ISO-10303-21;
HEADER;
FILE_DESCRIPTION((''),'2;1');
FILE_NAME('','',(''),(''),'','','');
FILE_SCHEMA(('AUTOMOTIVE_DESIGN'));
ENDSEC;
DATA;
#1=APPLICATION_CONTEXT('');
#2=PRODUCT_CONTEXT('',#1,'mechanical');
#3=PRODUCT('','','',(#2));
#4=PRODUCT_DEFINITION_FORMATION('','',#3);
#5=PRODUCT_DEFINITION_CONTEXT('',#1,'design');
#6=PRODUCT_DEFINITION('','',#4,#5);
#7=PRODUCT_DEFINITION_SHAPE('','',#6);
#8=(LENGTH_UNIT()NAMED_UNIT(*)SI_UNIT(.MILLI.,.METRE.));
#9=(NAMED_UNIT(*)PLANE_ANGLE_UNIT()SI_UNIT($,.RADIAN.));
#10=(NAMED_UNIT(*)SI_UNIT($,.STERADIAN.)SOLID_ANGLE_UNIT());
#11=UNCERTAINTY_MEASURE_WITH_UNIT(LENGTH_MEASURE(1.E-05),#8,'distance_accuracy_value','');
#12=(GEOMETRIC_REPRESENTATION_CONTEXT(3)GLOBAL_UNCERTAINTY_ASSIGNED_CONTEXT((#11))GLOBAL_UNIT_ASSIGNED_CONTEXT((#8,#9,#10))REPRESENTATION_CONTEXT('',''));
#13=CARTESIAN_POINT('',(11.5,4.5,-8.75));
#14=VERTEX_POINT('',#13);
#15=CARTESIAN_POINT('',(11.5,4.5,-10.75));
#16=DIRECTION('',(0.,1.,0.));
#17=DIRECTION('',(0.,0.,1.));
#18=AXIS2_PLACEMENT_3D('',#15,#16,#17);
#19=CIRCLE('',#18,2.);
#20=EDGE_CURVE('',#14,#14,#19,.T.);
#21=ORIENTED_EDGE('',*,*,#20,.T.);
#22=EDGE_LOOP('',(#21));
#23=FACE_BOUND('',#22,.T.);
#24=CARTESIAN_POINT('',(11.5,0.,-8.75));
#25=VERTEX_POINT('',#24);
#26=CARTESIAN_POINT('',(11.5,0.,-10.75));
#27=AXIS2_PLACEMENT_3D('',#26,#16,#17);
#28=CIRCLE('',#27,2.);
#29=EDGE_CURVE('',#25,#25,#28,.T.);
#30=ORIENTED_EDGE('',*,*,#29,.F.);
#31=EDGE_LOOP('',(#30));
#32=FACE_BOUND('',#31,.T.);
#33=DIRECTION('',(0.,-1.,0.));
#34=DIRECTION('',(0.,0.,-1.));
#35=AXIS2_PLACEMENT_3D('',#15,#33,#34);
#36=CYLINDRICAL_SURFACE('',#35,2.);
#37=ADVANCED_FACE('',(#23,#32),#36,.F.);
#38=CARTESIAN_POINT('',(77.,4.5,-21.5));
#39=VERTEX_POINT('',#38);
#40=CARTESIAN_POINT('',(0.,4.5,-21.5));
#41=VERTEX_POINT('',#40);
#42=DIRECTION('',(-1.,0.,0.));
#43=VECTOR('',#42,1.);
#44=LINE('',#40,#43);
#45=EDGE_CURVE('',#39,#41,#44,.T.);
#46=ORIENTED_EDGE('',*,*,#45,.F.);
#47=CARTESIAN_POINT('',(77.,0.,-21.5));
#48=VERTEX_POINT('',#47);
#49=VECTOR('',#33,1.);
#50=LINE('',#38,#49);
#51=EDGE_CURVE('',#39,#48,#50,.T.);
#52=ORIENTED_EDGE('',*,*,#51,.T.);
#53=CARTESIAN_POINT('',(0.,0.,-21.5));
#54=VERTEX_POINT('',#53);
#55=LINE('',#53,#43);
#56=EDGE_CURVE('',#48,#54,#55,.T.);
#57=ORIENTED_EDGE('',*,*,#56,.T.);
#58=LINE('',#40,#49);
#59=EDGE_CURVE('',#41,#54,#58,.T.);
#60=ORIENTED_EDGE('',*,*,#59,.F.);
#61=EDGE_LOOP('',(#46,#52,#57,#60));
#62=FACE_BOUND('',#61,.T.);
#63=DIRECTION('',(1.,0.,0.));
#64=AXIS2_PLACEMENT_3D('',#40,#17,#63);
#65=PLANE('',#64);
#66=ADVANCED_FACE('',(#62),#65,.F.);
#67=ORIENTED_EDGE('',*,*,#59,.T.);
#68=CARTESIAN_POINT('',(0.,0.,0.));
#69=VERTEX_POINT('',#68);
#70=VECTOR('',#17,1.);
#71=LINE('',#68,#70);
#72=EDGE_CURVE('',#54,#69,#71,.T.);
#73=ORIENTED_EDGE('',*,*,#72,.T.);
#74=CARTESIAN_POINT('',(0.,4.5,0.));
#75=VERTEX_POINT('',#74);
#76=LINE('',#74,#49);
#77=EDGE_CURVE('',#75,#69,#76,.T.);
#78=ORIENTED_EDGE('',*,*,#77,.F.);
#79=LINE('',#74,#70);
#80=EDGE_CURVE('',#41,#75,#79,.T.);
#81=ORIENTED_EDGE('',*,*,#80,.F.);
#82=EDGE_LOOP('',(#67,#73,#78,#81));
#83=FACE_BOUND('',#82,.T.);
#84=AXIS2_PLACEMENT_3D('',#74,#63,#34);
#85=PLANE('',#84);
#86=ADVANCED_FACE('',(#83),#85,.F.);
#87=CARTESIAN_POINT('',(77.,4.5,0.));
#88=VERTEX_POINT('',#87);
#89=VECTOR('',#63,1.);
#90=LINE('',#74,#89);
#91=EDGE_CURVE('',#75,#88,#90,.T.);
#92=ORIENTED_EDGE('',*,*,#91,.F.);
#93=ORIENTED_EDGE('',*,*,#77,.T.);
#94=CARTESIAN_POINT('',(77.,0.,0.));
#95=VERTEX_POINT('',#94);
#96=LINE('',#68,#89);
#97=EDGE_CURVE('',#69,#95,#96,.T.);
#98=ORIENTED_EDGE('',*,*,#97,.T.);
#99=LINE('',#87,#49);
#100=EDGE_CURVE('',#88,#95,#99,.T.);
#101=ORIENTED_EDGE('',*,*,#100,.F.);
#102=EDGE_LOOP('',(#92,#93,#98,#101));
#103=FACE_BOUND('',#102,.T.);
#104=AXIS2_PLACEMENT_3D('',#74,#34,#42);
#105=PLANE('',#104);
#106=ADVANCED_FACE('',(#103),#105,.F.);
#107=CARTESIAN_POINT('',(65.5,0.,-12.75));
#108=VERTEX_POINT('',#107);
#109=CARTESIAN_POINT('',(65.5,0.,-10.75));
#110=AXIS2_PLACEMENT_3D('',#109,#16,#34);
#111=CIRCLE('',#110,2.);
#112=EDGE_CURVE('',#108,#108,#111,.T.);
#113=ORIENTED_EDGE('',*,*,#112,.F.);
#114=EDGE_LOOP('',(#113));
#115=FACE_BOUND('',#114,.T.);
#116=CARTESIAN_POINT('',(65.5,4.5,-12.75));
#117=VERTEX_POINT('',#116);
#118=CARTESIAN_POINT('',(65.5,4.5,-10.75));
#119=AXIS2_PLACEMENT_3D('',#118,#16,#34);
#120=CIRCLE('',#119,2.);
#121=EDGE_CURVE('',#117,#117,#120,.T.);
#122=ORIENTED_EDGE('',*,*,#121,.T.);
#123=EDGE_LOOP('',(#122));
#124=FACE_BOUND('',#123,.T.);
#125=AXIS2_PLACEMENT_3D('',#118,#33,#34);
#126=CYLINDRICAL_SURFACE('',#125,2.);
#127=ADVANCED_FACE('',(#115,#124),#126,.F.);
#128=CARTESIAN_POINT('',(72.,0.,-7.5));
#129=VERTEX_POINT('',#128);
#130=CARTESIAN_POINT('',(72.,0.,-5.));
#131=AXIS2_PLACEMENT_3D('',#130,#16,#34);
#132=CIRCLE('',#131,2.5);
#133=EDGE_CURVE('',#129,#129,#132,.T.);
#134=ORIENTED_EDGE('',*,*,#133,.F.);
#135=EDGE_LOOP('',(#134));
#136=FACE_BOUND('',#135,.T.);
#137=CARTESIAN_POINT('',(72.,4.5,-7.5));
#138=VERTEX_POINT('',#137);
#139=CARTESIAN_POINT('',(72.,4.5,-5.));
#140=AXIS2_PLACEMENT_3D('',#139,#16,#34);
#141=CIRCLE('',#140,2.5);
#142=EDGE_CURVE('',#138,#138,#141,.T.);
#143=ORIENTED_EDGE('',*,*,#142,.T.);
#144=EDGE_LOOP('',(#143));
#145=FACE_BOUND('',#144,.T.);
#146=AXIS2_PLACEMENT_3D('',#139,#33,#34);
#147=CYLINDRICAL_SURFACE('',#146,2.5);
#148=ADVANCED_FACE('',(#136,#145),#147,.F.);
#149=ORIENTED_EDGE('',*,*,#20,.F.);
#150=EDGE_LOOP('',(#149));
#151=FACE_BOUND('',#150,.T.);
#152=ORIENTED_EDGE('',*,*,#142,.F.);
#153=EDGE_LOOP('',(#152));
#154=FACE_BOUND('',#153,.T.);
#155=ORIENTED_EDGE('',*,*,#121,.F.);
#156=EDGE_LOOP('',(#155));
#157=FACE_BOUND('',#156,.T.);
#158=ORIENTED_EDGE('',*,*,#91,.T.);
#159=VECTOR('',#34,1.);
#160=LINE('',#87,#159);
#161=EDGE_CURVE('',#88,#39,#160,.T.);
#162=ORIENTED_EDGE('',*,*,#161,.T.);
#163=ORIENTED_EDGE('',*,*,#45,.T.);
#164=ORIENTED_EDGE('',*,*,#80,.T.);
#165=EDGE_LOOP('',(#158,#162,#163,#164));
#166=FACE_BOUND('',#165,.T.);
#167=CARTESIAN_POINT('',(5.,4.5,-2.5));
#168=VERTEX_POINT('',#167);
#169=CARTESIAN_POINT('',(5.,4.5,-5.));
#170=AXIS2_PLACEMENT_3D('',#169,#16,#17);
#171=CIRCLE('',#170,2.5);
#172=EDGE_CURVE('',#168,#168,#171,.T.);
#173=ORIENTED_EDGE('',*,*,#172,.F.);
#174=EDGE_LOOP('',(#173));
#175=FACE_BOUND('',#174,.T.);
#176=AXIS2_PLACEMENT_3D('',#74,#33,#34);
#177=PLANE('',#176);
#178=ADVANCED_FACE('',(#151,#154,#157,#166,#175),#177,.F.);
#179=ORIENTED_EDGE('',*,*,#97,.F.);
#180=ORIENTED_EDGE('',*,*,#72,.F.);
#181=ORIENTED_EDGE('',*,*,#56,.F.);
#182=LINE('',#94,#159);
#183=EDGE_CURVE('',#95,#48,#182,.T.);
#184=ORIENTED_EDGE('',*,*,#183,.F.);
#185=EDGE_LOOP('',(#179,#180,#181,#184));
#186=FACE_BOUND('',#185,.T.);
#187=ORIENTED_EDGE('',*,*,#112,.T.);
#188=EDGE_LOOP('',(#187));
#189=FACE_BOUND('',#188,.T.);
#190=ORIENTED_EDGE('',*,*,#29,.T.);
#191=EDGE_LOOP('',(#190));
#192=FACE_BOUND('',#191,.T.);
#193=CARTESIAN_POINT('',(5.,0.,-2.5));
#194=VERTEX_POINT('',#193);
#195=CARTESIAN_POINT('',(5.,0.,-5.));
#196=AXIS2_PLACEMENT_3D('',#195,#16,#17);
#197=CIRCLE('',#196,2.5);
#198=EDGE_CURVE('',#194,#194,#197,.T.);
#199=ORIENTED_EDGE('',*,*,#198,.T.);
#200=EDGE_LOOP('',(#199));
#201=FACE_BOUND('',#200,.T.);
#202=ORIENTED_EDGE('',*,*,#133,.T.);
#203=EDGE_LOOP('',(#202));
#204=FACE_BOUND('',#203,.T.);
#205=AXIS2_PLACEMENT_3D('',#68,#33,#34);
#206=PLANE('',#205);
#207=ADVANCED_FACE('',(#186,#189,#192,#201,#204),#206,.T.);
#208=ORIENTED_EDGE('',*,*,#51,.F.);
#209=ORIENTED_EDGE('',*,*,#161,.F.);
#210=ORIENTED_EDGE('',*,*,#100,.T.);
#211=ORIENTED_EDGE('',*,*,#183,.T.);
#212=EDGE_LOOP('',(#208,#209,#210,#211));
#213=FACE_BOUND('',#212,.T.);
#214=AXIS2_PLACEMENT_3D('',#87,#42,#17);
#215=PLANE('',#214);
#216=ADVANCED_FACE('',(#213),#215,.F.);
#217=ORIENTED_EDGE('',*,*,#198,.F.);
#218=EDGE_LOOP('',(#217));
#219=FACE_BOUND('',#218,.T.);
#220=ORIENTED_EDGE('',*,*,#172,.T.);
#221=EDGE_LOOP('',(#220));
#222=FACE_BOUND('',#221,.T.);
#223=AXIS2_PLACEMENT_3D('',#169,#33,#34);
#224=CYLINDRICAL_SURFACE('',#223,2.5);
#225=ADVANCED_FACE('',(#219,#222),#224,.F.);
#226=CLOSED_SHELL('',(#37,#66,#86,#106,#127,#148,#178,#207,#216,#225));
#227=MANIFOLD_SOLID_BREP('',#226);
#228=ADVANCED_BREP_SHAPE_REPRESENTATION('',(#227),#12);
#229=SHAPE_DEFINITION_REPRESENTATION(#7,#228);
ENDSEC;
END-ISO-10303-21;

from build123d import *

# Parameters (mm, degrees)
SKETCH_1_W      = 77
SKETCH_1_H      = 21.5
SKETCH_1_R      = 2
SKETCH_1_R_2    = 2.5
EXTRUDE_1_DEPTH = 4.5


with BuildPart() as part:
    # 草图1 → 凸台-拉伸1 (new body)
    with BuildSketch(Plane(origin=(0, 0, 0), x_dir=(1, 0, 0), z_dir=(0, 1, 0))):
        with Locations((38.5, 10.75)):
            Rectangle(SKETCH_1_W, SKETCH_1_H)
        with Locations((11.5, 10.75)):
            Circle(SKETCH_1_R, mode=Mode.SUBTRACT)
        with Locations((65.5, 10.75)):
            Circle(SKETCH_1_R, mode=Mode.SUBTRACT)
        with Locations((5, 5)):
            Circle(SKETCH_1_R_2, mode=Mode.SUBTRACT)
        with Locations((72, 5)):
            Circle(SKETCH_1_R_2, mode=Mode.SUBTRACT)
    extrude(amount=EXTRUDE_1_DEPTH)


solid = part.part
